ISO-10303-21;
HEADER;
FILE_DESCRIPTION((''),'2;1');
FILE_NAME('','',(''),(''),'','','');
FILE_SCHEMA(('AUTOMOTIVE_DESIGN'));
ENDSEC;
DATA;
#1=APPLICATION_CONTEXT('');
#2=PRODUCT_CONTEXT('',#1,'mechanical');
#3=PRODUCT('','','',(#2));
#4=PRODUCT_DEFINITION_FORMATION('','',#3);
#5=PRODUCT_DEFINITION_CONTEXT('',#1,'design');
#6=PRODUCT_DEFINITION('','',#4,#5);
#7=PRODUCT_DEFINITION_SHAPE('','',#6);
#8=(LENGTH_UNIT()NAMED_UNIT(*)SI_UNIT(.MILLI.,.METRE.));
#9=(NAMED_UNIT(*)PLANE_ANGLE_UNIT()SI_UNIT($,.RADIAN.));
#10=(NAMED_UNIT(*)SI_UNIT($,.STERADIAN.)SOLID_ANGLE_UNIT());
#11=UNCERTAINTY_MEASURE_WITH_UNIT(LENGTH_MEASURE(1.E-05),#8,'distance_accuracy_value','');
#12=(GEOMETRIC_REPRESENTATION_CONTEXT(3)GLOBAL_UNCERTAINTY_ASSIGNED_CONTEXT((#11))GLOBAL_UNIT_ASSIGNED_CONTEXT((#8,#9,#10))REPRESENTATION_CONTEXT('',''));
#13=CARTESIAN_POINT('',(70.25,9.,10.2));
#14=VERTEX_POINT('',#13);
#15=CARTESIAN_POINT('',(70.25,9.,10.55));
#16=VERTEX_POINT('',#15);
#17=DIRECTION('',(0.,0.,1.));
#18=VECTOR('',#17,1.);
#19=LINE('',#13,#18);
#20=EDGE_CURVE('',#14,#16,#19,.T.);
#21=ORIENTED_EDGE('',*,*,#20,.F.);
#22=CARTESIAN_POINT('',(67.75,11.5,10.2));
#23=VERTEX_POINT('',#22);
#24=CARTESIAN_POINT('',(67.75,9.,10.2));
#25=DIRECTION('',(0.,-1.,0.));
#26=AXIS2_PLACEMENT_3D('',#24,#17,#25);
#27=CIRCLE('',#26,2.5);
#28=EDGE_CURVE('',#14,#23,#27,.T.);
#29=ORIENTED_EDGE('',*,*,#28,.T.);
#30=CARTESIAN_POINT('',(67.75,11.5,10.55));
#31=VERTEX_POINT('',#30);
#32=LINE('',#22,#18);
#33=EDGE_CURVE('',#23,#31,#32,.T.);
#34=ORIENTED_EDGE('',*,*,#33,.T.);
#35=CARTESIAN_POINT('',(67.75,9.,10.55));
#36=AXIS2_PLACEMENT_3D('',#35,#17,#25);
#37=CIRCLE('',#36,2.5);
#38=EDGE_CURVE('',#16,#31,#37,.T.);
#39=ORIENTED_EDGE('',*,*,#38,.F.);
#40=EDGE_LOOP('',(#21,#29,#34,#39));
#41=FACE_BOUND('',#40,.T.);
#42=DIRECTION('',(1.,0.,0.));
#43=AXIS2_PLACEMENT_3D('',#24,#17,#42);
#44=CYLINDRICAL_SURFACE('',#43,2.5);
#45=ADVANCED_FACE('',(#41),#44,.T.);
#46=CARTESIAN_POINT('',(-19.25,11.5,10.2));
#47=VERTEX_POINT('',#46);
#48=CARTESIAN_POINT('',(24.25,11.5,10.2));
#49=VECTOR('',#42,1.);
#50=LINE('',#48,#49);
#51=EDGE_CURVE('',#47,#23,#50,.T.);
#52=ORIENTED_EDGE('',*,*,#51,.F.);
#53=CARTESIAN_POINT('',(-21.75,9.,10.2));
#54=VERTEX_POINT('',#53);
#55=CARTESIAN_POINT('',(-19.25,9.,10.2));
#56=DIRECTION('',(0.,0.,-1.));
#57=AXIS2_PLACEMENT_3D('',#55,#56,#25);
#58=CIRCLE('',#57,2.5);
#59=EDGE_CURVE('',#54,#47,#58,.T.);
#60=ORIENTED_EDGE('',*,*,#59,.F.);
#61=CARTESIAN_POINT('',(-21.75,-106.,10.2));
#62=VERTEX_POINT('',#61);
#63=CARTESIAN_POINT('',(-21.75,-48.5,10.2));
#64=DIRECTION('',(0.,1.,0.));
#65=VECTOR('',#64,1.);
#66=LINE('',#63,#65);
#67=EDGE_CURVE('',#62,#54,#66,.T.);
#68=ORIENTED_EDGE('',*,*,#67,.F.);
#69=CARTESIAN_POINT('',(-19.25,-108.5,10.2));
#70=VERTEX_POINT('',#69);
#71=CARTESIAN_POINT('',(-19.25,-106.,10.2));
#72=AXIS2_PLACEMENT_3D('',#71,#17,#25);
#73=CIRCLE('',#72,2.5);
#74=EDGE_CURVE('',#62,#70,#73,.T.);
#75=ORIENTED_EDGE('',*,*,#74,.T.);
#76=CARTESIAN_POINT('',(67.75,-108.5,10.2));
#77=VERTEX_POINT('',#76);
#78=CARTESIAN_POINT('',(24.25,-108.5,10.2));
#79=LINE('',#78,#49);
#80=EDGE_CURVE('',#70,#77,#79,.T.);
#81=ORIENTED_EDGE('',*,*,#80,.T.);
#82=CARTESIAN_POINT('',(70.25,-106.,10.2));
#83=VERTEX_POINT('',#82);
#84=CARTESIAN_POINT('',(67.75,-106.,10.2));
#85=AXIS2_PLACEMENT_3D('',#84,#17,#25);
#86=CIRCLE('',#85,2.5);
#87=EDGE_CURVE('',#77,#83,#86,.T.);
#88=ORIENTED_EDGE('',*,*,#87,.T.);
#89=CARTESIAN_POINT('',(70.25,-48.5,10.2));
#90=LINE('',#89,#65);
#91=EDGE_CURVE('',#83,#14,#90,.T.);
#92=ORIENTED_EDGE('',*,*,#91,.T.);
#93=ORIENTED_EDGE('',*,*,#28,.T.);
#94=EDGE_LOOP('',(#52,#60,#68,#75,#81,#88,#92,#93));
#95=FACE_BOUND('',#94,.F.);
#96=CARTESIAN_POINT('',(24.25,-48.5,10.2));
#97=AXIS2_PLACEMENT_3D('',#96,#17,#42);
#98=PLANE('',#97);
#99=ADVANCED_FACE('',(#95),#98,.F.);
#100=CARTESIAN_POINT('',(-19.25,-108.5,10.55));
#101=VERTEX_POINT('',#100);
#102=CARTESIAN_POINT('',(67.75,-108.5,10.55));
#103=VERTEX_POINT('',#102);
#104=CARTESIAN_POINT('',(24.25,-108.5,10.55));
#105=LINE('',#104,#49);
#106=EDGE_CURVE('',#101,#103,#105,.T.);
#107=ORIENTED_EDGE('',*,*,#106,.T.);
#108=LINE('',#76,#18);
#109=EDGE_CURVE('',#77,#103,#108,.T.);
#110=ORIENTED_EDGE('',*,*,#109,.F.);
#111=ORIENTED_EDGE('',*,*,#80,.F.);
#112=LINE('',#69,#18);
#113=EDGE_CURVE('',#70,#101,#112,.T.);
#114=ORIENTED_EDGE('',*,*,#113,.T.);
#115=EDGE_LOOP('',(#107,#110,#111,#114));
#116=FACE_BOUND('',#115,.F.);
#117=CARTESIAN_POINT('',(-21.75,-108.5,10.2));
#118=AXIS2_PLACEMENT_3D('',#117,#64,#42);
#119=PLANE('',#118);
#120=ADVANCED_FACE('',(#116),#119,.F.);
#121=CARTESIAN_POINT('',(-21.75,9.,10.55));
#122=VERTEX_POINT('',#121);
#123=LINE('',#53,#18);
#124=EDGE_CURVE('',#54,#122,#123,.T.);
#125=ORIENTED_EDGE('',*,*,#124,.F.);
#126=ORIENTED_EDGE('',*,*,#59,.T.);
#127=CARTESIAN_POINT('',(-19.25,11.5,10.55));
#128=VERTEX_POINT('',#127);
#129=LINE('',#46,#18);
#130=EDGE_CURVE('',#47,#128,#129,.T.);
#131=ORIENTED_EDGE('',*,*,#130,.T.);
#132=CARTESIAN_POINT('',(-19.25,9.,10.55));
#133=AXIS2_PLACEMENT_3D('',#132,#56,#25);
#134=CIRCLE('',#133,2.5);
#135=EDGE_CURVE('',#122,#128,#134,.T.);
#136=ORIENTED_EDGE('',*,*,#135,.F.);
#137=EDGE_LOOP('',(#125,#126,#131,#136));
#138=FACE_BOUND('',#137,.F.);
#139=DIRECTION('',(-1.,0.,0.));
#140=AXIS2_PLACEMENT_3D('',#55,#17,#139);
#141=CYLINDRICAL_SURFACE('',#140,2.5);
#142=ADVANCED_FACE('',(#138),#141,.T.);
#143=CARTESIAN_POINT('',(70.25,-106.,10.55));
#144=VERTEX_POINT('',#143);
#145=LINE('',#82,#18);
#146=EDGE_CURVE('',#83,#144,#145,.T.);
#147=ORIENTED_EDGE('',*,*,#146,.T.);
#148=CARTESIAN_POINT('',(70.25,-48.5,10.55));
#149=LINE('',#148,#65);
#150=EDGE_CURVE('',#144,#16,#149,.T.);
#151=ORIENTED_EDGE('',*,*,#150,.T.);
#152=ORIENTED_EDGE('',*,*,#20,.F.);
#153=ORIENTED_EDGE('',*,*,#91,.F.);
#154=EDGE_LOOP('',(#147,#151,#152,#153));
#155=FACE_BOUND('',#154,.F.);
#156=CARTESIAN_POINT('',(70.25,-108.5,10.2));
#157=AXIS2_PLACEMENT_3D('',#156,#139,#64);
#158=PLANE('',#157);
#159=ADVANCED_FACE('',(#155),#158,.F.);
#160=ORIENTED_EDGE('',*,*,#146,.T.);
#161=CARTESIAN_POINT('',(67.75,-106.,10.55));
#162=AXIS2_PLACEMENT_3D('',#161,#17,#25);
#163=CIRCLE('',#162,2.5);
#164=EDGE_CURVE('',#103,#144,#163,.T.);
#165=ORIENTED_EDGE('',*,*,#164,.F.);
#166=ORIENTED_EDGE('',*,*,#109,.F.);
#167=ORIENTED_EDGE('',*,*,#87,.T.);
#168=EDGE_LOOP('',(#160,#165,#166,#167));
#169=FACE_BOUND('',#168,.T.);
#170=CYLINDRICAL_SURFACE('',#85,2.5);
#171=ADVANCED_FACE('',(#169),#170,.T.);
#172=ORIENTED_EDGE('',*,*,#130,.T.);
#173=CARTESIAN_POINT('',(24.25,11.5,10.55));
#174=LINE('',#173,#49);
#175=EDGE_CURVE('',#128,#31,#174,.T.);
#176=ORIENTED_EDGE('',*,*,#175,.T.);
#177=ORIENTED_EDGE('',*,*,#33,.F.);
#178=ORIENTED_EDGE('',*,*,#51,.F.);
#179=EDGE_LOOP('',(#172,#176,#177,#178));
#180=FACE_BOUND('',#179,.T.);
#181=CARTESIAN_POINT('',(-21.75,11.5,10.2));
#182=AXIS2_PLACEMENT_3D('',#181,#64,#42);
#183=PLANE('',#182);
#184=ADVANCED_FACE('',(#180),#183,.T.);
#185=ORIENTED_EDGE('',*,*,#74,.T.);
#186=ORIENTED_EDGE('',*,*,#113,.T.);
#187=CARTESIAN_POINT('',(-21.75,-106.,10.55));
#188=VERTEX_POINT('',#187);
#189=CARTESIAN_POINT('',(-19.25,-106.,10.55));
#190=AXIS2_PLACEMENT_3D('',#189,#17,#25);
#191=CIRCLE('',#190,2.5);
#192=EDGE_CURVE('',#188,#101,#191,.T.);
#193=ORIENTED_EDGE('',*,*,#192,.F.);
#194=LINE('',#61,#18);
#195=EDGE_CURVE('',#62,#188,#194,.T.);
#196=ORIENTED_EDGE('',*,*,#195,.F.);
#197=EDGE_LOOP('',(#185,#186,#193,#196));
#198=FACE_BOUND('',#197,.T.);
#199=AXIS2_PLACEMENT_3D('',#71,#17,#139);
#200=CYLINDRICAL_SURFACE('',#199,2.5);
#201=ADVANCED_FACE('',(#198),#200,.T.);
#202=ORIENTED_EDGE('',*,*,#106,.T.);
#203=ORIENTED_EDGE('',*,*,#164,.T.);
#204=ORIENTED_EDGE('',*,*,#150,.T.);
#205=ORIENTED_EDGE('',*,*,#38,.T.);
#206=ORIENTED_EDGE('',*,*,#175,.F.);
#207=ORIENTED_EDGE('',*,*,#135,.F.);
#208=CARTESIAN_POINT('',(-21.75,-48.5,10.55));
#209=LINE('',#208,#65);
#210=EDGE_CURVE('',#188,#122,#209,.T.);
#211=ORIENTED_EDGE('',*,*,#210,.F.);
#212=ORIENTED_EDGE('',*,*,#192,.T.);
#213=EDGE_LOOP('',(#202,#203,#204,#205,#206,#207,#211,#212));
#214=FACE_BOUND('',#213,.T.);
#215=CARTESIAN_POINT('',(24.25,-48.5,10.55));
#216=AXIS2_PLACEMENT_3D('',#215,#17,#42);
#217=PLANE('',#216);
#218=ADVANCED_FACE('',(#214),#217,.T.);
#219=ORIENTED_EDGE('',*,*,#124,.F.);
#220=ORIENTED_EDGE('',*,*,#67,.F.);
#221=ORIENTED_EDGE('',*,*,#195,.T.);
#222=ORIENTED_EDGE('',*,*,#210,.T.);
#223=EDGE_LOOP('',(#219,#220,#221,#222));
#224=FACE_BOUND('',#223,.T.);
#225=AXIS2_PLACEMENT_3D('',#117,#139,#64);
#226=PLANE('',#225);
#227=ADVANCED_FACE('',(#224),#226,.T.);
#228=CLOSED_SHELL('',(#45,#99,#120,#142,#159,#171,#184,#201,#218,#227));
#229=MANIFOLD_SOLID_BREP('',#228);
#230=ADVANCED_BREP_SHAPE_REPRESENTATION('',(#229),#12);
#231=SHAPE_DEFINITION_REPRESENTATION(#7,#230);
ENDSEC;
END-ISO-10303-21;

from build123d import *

# Parameters (mm, degrees)
BOX003_W     = 92
BOX003_H     = 120
BOX003_DEPTH = 0.35
FILLET004_R  = 2.5
FILLET005_R  = 2.5
FILLET006_R  = 2.5
FILLET007_R  = 2.5


with BuildPart() as part:
    # Box003 → Box003 (new body)
    with BuildSketch(Plane(origin=(-21.75, -108.5, 10.2), x_dir=(1, 0, 0), z_dir=(0, 0, 1))):
        with Locations((46, 60)):
            Rectangle(BOX003_W, BOX003_H)
    extrude(amount=BOX003_DEPTH)

    # Fillet004
    fillet004_edges = [part.edges().sort_by_distance(p)[0] for p in [
        (-21.75, 11.5, 10.375),
    ]]
    fillet(fillet004_edges, radius=FILLET004_R)

    # Fillet005
    fillet005_edges = [part.edges().sort_by_distance(p)[0] for p in [
        (-21.75, -108.5, 10.375),
    ]]
    fillet(fillet005_edges, radius=FILLET005_R)

    # Fillet006
    fillet006_edges = [part.edges().sort_by_distance(p)[0] for p in [
        (70.25, -108.5, 10.375),
    ]]
    fillet(fillet006_edges, radius=FILLET006_R)

    # Fillet007
    fillet007_edges = [part.edges().sort_by_distance(p)[0] for p in [
        (70.25, 11.5, 10.375),
    ]]
    fillet(fillet007_edges, radius=FILLET007_R)


solid = part.part
